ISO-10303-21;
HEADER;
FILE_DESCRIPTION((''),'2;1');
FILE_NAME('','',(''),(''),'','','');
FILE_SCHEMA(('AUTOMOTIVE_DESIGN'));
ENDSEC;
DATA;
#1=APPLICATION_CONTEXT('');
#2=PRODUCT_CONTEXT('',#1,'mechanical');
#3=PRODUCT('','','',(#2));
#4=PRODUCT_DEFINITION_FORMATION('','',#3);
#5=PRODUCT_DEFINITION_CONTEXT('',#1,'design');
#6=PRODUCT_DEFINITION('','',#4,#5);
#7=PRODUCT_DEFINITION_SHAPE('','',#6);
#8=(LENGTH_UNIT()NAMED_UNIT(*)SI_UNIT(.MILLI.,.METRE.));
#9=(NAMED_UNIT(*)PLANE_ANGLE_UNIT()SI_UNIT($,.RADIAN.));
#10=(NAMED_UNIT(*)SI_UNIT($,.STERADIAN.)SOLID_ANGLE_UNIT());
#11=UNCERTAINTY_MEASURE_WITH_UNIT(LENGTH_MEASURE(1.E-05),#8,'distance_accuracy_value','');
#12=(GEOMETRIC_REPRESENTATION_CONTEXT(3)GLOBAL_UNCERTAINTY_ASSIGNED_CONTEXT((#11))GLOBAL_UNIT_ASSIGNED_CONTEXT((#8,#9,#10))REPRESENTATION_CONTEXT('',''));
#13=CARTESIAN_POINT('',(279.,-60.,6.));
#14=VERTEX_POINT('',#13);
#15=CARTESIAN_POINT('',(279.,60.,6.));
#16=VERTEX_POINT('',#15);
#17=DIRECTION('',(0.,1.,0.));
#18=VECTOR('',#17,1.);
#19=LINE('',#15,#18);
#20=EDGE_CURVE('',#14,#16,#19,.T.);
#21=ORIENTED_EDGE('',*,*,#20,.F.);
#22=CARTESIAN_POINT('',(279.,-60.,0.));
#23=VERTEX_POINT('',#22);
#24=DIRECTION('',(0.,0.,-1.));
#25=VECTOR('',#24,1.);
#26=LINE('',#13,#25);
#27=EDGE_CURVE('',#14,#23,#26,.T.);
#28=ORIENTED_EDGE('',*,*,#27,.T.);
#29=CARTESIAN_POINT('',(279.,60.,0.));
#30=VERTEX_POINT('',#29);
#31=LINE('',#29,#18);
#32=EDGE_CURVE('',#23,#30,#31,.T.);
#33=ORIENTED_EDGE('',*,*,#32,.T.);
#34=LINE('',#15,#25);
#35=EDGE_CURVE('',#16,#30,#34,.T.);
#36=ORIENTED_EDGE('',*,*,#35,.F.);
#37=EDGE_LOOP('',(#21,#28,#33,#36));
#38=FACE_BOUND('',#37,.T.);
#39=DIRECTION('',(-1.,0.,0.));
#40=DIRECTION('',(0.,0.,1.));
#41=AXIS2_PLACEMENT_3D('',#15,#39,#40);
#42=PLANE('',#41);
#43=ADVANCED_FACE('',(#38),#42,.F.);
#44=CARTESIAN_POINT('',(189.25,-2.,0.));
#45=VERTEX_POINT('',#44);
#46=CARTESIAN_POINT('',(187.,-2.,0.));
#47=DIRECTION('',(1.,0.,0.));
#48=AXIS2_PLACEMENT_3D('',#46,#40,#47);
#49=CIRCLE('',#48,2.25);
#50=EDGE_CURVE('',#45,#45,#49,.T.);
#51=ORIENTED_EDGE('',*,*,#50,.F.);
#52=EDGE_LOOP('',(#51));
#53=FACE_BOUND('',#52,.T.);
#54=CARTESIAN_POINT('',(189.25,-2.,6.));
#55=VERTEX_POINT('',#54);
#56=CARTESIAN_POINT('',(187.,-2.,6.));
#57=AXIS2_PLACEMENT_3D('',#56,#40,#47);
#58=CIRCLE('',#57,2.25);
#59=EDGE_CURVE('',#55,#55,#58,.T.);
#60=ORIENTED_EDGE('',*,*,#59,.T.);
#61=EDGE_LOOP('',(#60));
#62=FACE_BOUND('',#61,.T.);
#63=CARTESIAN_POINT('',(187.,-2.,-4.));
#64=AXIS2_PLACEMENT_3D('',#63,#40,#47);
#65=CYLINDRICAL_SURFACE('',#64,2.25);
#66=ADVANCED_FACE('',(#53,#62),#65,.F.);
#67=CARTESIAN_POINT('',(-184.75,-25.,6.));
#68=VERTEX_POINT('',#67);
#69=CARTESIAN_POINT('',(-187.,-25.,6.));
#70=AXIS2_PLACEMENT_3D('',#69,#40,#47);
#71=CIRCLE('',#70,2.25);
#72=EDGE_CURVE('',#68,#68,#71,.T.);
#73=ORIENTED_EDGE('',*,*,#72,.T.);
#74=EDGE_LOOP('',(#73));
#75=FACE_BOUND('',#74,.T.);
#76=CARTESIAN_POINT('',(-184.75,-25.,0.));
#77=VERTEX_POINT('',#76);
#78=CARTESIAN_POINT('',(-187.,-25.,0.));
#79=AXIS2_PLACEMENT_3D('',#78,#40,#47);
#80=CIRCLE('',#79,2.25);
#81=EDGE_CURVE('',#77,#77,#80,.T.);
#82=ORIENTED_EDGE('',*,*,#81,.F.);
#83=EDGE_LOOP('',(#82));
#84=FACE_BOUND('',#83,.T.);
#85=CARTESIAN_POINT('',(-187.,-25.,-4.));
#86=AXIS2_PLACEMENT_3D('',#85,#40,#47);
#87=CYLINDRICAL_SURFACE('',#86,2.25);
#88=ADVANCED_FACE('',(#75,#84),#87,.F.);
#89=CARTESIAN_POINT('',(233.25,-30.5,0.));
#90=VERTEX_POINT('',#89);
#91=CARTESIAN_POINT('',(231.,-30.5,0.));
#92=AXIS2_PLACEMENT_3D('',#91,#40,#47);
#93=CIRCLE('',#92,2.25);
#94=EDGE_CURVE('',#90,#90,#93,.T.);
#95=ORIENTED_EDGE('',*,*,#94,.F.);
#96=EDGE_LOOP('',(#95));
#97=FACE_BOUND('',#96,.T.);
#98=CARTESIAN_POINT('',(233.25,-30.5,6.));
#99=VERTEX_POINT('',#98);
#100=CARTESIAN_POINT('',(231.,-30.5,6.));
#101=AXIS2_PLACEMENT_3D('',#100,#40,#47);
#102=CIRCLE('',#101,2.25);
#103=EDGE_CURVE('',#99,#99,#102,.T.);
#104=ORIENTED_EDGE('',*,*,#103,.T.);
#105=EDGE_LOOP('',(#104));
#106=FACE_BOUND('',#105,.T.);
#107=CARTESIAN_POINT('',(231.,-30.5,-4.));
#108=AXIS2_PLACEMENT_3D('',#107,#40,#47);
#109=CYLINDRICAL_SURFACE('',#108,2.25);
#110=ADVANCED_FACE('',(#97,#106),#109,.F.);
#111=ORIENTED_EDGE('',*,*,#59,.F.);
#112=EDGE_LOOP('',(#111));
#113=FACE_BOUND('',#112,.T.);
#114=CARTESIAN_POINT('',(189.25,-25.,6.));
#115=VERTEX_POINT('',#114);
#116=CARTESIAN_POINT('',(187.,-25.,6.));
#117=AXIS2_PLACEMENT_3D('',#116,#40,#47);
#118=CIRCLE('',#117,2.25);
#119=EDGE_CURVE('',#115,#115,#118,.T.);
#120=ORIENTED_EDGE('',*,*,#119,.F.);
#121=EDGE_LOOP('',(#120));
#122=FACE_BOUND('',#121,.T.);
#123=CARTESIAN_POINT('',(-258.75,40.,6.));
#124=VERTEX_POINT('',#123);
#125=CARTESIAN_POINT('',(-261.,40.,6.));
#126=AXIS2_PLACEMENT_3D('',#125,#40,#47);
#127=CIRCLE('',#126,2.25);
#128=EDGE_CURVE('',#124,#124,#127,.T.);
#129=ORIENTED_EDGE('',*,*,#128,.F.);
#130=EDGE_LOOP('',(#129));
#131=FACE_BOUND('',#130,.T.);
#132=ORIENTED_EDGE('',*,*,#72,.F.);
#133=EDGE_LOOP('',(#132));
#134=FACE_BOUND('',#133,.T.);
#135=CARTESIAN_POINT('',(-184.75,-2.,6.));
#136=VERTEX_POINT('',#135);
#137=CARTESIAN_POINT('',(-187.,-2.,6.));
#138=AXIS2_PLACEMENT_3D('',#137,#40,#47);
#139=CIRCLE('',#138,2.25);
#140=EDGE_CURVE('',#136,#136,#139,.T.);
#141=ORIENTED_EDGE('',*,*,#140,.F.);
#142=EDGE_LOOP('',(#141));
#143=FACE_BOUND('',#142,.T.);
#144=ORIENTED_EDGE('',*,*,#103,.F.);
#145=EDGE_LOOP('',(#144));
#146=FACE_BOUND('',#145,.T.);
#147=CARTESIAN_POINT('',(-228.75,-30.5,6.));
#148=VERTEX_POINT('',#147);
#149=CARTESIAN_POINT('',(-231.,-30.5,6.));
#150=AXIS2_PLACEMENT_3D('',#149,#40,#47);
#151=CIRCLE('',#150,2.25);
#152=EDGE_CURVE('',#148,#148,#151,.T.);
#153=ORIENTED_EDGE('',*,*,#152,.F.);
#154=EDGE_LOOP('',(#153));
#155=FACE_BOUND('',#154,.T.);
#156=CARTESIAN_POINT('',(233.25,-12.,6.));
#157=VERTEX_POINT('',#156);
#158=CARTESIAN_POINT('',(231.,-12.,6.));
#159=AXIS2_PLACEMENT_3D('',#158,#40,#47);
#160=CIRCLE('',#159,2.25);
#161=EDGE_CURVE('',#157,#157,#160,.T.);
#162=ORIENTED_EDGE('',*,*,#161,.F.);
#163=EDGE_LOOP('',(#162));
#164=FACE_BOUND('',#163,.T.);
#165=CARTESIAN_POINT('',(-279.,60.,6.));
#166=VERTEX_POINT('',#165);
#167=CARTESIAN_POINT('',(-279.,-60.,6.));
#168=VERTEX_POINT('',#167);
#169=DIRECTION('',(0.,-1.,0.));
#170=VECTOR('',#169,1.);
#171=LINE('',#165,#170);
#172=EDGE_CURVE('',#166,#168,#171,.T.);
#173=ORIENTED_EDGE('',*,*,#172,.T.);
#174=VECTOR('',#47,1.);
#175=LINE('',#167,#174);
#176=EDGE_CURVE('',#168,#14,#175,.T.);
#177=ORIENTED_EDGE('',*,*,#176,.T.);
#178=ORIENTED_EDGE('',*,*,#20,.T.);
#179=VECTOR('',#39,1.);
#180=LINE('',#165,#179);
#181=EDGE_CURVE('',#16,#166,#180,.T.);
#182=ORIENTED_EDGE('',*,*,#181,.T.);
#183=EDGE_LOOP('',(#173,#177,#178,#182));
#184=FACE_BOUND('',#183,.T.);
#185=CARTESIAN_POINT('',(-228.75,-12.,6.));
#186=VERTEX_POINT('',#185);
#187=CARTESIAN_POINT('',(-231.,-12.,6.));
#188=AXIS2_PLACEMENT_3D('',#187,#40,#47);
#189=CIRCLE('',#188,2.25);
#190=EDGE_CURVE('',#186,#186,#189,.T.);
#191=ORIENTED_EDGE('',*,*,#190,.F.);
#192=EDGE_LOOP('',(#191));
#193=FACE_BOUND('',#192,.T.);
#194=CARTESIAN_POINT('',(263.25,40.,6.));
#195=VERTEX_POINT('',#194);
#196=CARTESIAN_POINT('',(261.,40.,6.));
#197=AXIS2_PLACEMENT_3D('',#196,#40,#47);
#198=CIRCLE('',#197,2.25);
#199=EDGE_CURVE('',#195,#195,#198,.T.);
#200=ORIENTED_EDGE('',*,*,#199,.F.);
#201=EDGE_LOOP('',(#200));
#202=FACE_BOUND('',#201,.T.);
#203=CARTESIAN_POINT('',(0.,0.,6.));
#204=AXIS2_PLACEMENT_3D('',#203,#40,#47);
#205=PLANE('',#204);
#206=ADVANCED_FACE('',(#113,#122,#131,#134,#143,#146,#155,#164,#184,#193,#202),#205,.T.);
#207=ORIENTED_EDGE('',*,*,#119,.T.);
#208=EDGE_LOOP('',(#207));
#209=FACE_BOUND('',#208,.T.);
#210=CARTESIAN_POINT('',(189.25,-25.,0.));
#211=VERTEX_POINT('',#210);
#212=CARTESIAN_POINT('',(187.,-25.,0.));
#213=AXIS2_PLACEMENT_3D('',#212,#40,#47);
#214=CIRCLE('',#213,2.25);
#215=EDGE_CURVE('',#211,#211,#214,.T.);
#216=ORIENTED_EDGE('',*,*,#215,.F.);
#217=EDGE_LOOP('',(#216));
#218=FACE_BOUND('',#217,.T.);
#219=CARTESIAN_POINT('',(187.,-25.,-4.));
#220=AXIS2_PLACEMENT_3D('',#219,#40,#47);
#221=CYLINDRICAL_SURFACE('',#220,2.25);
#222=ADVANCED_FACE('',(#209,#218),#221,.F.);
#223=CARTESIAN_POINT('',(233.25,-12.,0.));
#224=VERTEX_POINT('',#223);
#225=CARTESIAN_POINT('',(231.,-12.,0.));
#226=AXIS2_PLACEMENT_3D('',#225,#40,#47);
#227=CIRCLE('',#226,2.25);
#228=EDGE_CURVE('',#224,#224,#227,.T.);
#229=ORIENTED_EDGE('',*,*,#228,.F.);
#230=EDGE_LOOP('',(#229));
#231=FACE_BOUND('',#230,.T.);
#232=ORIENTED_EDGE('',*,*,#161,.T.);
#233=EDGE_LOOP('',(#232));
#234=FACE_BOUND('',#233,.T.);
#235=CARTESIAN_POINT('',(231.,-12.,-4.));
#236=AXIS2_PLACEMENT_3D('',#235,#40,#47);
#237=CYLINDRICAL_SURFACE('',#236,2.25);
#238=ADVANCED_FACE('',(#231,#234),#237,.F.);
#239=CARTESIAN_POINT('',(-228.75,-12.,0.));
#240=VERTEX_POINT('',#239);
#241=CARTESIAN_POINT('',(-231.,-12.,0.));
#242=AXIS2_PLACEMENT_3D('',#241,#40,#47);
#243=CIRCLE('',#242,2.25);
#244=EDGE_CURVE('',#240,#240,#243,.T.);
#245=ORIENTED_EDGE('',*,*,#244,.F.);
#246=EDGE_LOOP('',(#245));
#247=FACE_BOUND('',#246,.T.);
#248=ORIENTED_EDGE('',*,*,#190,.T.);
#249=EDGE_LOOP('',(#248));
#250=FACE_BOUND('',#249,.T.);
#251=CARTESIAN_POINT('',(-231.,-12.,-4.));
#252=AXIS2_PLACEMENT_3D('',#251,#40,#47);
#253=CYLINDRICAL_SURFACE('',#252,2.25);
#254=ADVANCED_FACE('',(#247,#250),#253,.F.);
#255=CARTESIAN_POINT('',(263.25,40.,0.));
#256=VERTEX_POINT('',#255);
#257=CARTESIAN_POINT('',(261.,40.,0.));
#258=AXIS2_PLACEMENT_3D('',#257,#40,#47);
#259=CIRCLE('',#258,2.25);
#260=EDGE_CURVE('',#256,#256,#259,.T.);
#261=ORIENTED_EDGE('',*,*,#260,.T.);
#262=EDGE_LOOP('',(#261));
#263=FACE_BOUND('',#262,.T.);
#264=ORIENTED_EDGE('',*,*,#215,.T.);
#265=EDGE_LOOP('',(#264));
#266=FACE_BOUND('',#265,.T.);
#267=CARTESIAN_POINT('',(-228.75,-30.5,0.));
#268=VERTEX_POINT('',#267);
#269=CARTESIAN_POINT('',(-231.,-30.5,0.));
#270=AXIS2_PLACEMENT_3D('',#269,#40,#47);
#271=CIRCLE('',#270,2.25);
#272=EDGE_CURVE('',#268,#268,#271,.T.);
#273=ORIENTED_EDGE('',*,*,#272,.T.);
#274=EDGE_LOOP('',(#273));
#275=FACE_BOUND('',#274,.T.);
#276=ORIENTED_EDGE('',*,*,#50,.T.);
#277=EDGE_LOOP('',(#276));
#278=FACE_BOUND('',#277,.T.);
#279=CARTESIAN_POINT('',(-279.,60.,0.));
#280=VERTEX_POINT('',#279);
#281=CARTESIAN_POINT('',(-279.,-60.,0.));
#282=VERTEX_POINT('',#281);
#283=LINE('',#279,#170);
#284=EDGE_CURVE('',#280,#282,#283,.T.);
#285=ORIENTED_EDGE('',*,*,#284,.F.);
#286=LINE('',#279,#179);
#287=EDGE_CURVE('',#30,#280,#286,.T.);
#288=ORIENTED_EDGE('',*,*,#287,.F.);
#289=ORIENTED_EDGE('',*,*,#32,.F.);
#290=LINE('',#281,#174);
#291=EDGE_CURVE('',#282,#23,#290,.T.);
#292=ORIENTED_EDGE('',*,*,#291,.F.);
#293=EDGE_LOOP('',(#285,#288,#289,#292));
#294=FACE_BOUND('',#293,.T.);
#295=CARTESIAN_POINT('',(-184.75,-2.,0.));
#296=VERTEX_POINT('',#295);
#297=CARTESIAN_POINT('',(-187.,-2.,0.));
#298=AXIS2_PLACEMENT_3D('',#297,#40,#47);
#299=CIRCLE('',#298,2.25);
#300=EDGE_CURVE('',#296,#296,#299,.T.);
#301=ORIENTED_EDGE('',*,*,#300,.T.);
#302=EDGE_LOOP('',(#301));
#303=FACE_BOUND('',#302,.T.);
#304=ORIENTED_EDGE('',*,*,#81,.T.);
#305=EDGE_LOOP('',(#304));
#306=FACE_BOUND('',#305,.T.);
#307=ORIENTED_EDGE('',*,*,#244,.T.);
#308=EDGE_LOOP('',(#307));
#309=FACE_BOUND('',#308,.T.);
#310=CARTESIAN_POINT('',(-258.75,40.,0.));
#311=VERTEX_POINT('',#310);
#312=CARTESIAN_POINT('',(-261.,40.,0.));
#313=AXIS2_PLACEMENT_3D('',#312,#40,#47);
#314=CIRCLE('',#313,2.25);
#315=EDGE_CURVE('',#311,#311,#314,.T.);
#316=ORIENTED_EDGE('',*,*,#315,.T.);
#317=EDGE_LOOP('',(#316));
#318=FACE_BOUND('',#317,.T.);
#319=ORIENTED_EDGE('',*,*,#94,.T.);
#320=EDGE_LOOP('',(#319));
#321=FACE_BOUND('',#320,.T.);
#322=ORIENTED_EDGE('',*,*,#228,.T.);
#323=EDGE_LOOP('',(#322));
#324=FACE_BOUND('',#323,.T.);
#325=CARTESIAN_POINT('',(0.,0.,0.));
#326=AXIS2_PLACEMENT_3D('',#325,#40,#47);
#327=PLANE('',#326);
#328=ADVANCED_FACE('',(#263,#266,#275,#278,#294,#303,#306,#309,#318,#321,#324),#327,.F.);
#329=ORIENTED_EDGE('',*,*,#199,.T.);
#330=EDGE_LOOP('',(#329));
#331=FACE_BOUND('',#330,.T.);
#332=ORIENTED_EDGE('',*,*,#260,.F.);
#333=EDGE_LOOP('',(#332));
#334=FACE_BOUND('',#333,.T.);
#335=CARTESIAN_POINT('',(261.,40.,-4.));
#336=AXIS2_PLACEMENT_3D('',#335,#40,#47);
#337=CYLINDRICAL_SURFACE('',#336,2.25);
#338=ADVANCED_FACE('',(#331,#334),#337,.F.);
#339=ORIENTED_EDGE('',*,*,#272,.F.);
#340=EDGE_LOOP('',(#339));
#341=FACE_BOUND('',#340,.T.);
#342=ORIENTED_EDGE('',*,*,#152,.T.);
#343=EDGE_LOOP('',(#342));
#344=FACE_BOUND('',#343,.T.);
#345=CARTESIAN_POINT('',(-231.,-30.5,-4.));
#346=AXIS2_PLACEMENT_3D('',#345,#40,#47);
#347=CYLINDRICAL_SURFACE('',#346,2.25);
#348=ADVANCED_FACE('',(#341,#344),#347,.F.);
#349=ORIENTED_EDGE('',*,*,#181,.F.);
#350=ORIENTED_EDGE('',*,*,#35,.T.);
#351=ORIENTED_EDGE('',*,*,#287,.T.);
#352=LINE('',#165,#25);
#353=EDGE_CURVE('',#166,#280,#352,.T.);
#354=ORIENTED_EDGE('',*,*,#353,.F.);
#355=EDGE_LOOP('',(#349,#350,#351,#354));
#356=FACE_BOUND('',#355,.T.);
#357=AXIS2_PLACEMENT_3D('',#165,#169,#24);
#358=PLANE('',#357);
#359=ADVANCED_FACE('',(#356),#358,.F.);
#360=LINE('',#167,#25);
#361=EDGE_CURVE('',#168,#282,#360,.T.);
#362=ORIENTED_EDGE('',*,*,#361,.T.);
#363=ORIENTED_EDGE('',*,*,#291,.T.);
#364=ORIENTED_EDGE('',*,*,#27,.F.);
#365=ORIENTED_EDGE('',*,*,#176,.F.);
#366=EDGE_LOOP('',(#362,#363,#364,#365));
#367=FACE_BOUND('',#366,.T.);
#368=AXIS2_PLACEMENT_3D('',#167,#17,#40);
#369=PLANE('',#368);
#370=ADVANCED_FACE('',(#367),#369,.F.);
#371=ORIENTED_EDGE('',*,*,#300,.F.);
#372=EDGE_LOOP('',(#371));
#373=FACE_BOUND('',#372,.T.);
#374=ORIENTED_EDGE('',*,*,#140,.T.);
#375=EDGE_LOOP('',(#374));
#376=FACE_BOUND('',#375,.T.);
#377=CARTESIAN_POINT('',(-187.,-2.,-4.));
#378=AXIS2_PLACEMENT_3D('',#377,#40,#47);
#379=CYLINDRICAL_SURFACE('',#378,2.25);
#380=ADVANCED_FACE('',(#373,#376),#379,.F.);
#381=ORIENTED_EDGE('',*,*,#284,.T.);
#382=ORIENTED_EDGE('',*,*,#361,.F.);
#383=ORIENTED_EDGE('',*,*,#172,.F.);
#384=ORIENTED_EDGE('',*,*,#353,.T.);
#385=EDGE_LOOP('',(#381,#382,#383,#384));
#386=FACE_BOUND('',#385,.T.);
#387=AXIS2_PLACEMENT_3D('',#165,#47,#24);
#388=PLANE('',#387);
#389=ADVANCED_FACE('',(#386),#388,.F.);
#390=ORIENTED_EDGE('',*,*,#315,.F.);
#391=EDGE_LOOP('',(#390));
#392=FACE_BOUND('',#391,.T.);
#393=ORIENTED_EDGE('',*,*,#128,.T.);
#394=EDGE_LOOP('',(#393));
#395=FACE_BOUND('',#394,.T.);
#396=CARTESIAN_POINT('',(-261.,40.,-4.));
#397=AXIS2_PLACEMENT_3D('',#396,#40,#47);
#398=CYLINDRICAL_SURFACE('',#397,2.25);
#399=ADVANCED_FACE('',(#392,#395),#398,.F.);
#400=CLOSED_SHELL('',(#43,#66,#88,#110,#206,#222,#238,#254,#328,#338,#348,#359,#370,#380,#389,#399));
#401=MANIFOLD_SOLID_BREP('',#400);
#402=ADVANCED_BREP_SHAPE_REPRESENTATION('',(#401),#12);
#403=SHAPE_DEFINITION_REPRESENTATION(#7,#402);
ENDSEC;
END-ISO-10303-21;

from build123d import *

# Parameters (mm, degrees)
SCHIZZO1_W                   = 558
SCHIZZO1_H                   = 120
ESTRUSIONE_ESTRUSIONE1_DEPTH = 6
SCHIZZO2_R                   = 2.25
TAGLIO_ESTRUSIONE1_DEPTH     = 10


with BuildPart() as part:
    # Schizzo1 → Estrusione-Estrusione1 (new body)
    with BuildSketch(Plane.XY):
        Rectangle(SCHIZZO1_W, SCHIZZO1_H)
    extrude(amount=ESTRUSIONE_ESTRUSIONE1_DEPTH)

    # Schizzo2 → Taglio-Estrusione1 (cut)
    with BuildSketch(Plane.XY.offset(6)):
        with Locations((-231, -12)):
            Circle(SCHIZZO2_R)
        with Locations((-231, -30.5)):
            Circle(SCHIZZO2_R)
        with Locations((231, -12)):
            Circle(SCHIZZO2_R)
        with Locations((231, -30.5)):
            Circle(SCHIZZO2_R)
        with Locations((-261, 40)):
            Circle(SCHIZZO2_R)
        with Locations((261, 40)):
            Circle(SCHIZZO2_R)
        with Locations((187, -25)):
            Circle(SCHIZZO2_R)
        with Locations((187, -2)):
            Circle(SCHIZZO2_R)
        with Locations((-187, -2)):
            Circle(SCHIZZO2_R)
        with Locations((-187, -25)):
            Circle(SCHIZZO2_R)
    extrude(amount=-TAGLIO_ESTRUSIONE1_DEPTH, mode=Mode.SUBTRACT)


solid = part.part
